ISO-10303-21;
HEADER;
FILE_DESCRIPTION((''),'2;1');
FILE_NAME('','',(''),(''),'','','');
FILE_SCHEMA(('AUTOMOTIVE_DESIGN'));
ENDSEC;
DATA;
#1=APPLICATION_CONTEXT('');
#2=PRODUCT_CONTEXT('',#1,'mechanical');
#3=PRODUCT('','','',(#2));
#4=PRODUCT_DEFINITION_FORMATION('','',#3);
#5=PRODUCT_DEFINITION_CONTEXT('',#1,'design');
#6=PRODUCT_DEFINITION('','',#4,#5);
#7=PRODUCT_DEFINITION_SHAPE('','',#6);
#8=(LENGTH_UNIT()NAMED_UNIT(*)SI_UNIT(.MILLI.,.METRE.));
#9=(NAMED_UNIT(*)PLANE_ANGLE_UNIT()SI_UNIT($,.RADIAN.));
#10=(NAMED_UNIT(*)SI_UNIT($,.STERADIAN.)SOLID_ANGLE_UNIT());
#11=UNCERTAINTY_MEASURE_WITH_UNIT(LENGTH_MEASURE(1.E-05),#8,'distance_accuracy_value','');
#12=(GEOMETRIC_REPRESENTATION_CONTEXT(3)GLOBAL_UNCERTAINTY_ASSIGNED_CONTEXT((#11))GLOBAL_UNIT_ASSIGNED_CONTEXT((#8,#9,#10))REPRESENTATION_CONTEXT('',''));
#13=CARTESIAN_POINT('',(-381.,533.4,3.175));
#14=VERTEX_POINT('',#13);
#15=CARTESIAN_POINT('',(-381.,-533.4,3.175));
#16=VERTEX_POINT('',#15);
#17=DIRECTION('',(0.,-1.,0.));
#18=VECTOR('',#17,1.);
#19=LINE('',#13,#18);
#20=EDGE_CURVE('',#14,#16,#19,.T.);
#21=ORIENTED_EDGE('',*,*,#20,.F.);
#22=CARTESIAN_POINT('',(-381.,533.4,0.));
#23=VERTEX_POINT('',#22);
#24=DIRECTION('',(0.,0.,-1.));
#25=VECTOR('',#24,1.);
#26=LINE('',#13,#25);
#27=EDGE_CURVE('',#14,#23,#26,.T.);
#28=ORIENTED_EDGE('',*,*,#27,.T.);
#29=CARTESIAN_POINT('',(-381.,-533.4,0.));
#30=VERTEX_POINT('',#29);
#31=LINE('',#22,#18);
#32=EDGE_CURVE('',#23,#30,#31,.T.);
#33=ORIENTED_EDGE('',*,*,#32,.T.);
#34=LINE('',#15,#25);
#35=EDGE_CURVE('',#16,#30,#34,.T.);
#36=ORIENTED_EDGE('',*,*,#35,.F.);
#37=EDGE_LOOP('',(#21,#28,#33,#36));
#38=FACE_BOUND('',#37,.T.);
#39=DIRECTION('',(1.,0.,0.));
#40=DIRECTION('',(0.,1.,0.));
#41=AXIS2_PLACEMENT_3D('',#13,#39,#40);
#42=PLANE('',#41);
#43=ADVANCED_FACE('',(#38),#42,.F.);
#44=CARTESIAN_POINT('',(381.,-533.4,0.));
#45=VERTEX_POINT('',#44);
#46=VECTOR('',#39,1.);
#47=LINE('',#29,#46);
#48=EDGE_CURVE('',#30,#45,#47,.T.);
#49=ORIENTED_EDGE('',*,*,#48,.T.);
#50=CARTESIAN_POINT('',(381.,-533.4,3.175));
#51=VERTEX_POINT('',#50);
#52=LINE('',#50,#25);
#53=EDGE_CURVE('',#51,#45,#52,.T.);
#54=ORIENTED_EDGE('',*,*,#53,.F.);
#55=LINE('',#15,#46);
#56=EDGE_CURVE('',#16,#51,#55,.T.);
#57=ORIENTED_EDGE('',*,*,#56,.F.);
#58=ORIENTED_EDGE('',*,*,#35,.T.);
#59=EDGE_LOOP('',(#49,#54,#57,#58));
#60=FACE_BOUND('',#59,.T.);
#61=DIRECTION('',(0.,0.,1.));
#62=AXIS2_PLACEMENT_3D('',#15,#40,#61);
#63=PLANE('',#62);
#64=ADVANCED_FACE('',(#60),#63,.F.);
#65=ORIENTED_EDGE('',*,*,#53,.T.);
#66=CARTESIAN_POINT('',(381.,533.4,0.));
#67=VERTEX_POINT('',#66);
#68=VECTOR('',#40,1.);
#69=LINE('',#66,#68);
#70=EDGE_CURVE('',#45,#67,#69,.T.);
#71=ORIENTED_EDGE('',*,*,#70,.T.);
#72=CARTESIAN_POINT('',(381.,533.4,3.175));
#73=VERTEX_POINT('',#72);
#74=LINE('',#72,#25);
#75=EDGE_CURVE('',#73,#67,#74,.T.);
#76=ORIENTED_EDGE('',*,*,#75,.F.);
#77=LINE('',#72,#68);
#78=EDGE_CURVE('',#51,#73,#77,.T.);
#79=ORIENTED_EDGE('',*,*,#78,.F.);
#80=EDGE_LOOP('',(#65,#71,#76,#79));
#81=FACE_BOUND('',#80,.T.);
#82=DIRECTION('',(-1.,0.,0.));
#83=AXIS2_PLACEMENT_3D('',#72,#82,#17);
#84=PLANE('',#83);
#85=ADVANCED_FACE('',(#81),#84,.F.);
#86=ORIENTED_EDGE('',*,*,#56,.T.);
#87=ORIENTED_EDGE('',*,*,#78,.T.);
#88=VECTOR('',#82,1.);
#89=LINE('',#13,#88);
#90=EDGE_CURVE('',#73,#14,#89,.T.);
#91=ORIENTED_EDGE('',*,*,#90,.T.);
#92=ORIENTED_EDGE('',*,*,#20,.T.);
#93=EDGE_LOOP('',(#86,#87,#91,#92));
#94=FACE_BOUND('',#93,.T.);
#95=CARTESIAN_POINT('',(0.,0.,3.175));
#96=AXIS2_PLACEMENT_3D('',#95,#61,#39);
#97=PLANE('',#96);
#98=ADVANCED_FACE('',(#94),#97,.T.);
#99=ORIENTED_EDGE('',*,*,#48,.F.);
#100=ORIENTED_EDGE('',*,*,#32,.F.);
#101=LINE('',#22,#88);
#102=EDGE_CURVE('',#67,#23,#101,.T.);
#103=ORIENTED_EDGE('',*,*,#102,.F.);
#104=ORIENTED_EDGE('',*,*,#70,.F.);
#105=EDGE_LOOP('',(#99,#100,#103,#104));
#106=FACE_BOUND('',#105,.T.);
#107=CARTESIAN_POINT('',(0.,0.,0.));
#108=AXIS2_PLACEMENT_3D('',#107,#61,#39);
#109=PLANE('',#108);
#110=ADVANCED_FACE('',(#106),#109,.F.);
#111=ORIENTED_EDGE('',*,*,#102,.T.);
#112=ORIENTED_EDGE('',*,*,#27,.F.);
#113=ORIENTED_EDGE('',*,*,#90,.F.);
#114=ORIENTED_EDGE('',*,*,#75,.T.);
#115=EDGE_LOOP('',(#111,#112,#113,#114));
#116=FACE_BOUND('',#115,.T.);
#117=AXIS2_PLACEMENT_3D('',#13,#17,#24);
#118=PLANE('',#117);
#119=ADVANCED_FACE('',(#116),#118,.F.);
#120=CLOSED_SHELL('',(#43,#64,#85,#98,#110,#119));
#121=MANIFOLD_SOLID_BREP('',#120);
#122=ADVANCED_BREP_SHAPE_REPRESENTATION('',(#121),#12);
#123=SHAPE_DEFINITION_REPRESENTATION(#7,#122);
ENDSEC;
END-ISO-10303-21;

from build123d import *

# Parameters (mm, degrees)
SKETCH1_W           = 762
SKETCH1_H           = 1066.8
BOSS_EXTRUDE1_DEPTH = 3.175


with BuildPart() as part:
    # Sketch1 → Boss-Extrude1 (new body)
    with BuildSketch(Plane.XY):
        Rectangle(SKETCH1_W, SKETCH1_H)
    extrude(amount=BOSS_EXTRUDE1_DEPTH)


solid = part.part
